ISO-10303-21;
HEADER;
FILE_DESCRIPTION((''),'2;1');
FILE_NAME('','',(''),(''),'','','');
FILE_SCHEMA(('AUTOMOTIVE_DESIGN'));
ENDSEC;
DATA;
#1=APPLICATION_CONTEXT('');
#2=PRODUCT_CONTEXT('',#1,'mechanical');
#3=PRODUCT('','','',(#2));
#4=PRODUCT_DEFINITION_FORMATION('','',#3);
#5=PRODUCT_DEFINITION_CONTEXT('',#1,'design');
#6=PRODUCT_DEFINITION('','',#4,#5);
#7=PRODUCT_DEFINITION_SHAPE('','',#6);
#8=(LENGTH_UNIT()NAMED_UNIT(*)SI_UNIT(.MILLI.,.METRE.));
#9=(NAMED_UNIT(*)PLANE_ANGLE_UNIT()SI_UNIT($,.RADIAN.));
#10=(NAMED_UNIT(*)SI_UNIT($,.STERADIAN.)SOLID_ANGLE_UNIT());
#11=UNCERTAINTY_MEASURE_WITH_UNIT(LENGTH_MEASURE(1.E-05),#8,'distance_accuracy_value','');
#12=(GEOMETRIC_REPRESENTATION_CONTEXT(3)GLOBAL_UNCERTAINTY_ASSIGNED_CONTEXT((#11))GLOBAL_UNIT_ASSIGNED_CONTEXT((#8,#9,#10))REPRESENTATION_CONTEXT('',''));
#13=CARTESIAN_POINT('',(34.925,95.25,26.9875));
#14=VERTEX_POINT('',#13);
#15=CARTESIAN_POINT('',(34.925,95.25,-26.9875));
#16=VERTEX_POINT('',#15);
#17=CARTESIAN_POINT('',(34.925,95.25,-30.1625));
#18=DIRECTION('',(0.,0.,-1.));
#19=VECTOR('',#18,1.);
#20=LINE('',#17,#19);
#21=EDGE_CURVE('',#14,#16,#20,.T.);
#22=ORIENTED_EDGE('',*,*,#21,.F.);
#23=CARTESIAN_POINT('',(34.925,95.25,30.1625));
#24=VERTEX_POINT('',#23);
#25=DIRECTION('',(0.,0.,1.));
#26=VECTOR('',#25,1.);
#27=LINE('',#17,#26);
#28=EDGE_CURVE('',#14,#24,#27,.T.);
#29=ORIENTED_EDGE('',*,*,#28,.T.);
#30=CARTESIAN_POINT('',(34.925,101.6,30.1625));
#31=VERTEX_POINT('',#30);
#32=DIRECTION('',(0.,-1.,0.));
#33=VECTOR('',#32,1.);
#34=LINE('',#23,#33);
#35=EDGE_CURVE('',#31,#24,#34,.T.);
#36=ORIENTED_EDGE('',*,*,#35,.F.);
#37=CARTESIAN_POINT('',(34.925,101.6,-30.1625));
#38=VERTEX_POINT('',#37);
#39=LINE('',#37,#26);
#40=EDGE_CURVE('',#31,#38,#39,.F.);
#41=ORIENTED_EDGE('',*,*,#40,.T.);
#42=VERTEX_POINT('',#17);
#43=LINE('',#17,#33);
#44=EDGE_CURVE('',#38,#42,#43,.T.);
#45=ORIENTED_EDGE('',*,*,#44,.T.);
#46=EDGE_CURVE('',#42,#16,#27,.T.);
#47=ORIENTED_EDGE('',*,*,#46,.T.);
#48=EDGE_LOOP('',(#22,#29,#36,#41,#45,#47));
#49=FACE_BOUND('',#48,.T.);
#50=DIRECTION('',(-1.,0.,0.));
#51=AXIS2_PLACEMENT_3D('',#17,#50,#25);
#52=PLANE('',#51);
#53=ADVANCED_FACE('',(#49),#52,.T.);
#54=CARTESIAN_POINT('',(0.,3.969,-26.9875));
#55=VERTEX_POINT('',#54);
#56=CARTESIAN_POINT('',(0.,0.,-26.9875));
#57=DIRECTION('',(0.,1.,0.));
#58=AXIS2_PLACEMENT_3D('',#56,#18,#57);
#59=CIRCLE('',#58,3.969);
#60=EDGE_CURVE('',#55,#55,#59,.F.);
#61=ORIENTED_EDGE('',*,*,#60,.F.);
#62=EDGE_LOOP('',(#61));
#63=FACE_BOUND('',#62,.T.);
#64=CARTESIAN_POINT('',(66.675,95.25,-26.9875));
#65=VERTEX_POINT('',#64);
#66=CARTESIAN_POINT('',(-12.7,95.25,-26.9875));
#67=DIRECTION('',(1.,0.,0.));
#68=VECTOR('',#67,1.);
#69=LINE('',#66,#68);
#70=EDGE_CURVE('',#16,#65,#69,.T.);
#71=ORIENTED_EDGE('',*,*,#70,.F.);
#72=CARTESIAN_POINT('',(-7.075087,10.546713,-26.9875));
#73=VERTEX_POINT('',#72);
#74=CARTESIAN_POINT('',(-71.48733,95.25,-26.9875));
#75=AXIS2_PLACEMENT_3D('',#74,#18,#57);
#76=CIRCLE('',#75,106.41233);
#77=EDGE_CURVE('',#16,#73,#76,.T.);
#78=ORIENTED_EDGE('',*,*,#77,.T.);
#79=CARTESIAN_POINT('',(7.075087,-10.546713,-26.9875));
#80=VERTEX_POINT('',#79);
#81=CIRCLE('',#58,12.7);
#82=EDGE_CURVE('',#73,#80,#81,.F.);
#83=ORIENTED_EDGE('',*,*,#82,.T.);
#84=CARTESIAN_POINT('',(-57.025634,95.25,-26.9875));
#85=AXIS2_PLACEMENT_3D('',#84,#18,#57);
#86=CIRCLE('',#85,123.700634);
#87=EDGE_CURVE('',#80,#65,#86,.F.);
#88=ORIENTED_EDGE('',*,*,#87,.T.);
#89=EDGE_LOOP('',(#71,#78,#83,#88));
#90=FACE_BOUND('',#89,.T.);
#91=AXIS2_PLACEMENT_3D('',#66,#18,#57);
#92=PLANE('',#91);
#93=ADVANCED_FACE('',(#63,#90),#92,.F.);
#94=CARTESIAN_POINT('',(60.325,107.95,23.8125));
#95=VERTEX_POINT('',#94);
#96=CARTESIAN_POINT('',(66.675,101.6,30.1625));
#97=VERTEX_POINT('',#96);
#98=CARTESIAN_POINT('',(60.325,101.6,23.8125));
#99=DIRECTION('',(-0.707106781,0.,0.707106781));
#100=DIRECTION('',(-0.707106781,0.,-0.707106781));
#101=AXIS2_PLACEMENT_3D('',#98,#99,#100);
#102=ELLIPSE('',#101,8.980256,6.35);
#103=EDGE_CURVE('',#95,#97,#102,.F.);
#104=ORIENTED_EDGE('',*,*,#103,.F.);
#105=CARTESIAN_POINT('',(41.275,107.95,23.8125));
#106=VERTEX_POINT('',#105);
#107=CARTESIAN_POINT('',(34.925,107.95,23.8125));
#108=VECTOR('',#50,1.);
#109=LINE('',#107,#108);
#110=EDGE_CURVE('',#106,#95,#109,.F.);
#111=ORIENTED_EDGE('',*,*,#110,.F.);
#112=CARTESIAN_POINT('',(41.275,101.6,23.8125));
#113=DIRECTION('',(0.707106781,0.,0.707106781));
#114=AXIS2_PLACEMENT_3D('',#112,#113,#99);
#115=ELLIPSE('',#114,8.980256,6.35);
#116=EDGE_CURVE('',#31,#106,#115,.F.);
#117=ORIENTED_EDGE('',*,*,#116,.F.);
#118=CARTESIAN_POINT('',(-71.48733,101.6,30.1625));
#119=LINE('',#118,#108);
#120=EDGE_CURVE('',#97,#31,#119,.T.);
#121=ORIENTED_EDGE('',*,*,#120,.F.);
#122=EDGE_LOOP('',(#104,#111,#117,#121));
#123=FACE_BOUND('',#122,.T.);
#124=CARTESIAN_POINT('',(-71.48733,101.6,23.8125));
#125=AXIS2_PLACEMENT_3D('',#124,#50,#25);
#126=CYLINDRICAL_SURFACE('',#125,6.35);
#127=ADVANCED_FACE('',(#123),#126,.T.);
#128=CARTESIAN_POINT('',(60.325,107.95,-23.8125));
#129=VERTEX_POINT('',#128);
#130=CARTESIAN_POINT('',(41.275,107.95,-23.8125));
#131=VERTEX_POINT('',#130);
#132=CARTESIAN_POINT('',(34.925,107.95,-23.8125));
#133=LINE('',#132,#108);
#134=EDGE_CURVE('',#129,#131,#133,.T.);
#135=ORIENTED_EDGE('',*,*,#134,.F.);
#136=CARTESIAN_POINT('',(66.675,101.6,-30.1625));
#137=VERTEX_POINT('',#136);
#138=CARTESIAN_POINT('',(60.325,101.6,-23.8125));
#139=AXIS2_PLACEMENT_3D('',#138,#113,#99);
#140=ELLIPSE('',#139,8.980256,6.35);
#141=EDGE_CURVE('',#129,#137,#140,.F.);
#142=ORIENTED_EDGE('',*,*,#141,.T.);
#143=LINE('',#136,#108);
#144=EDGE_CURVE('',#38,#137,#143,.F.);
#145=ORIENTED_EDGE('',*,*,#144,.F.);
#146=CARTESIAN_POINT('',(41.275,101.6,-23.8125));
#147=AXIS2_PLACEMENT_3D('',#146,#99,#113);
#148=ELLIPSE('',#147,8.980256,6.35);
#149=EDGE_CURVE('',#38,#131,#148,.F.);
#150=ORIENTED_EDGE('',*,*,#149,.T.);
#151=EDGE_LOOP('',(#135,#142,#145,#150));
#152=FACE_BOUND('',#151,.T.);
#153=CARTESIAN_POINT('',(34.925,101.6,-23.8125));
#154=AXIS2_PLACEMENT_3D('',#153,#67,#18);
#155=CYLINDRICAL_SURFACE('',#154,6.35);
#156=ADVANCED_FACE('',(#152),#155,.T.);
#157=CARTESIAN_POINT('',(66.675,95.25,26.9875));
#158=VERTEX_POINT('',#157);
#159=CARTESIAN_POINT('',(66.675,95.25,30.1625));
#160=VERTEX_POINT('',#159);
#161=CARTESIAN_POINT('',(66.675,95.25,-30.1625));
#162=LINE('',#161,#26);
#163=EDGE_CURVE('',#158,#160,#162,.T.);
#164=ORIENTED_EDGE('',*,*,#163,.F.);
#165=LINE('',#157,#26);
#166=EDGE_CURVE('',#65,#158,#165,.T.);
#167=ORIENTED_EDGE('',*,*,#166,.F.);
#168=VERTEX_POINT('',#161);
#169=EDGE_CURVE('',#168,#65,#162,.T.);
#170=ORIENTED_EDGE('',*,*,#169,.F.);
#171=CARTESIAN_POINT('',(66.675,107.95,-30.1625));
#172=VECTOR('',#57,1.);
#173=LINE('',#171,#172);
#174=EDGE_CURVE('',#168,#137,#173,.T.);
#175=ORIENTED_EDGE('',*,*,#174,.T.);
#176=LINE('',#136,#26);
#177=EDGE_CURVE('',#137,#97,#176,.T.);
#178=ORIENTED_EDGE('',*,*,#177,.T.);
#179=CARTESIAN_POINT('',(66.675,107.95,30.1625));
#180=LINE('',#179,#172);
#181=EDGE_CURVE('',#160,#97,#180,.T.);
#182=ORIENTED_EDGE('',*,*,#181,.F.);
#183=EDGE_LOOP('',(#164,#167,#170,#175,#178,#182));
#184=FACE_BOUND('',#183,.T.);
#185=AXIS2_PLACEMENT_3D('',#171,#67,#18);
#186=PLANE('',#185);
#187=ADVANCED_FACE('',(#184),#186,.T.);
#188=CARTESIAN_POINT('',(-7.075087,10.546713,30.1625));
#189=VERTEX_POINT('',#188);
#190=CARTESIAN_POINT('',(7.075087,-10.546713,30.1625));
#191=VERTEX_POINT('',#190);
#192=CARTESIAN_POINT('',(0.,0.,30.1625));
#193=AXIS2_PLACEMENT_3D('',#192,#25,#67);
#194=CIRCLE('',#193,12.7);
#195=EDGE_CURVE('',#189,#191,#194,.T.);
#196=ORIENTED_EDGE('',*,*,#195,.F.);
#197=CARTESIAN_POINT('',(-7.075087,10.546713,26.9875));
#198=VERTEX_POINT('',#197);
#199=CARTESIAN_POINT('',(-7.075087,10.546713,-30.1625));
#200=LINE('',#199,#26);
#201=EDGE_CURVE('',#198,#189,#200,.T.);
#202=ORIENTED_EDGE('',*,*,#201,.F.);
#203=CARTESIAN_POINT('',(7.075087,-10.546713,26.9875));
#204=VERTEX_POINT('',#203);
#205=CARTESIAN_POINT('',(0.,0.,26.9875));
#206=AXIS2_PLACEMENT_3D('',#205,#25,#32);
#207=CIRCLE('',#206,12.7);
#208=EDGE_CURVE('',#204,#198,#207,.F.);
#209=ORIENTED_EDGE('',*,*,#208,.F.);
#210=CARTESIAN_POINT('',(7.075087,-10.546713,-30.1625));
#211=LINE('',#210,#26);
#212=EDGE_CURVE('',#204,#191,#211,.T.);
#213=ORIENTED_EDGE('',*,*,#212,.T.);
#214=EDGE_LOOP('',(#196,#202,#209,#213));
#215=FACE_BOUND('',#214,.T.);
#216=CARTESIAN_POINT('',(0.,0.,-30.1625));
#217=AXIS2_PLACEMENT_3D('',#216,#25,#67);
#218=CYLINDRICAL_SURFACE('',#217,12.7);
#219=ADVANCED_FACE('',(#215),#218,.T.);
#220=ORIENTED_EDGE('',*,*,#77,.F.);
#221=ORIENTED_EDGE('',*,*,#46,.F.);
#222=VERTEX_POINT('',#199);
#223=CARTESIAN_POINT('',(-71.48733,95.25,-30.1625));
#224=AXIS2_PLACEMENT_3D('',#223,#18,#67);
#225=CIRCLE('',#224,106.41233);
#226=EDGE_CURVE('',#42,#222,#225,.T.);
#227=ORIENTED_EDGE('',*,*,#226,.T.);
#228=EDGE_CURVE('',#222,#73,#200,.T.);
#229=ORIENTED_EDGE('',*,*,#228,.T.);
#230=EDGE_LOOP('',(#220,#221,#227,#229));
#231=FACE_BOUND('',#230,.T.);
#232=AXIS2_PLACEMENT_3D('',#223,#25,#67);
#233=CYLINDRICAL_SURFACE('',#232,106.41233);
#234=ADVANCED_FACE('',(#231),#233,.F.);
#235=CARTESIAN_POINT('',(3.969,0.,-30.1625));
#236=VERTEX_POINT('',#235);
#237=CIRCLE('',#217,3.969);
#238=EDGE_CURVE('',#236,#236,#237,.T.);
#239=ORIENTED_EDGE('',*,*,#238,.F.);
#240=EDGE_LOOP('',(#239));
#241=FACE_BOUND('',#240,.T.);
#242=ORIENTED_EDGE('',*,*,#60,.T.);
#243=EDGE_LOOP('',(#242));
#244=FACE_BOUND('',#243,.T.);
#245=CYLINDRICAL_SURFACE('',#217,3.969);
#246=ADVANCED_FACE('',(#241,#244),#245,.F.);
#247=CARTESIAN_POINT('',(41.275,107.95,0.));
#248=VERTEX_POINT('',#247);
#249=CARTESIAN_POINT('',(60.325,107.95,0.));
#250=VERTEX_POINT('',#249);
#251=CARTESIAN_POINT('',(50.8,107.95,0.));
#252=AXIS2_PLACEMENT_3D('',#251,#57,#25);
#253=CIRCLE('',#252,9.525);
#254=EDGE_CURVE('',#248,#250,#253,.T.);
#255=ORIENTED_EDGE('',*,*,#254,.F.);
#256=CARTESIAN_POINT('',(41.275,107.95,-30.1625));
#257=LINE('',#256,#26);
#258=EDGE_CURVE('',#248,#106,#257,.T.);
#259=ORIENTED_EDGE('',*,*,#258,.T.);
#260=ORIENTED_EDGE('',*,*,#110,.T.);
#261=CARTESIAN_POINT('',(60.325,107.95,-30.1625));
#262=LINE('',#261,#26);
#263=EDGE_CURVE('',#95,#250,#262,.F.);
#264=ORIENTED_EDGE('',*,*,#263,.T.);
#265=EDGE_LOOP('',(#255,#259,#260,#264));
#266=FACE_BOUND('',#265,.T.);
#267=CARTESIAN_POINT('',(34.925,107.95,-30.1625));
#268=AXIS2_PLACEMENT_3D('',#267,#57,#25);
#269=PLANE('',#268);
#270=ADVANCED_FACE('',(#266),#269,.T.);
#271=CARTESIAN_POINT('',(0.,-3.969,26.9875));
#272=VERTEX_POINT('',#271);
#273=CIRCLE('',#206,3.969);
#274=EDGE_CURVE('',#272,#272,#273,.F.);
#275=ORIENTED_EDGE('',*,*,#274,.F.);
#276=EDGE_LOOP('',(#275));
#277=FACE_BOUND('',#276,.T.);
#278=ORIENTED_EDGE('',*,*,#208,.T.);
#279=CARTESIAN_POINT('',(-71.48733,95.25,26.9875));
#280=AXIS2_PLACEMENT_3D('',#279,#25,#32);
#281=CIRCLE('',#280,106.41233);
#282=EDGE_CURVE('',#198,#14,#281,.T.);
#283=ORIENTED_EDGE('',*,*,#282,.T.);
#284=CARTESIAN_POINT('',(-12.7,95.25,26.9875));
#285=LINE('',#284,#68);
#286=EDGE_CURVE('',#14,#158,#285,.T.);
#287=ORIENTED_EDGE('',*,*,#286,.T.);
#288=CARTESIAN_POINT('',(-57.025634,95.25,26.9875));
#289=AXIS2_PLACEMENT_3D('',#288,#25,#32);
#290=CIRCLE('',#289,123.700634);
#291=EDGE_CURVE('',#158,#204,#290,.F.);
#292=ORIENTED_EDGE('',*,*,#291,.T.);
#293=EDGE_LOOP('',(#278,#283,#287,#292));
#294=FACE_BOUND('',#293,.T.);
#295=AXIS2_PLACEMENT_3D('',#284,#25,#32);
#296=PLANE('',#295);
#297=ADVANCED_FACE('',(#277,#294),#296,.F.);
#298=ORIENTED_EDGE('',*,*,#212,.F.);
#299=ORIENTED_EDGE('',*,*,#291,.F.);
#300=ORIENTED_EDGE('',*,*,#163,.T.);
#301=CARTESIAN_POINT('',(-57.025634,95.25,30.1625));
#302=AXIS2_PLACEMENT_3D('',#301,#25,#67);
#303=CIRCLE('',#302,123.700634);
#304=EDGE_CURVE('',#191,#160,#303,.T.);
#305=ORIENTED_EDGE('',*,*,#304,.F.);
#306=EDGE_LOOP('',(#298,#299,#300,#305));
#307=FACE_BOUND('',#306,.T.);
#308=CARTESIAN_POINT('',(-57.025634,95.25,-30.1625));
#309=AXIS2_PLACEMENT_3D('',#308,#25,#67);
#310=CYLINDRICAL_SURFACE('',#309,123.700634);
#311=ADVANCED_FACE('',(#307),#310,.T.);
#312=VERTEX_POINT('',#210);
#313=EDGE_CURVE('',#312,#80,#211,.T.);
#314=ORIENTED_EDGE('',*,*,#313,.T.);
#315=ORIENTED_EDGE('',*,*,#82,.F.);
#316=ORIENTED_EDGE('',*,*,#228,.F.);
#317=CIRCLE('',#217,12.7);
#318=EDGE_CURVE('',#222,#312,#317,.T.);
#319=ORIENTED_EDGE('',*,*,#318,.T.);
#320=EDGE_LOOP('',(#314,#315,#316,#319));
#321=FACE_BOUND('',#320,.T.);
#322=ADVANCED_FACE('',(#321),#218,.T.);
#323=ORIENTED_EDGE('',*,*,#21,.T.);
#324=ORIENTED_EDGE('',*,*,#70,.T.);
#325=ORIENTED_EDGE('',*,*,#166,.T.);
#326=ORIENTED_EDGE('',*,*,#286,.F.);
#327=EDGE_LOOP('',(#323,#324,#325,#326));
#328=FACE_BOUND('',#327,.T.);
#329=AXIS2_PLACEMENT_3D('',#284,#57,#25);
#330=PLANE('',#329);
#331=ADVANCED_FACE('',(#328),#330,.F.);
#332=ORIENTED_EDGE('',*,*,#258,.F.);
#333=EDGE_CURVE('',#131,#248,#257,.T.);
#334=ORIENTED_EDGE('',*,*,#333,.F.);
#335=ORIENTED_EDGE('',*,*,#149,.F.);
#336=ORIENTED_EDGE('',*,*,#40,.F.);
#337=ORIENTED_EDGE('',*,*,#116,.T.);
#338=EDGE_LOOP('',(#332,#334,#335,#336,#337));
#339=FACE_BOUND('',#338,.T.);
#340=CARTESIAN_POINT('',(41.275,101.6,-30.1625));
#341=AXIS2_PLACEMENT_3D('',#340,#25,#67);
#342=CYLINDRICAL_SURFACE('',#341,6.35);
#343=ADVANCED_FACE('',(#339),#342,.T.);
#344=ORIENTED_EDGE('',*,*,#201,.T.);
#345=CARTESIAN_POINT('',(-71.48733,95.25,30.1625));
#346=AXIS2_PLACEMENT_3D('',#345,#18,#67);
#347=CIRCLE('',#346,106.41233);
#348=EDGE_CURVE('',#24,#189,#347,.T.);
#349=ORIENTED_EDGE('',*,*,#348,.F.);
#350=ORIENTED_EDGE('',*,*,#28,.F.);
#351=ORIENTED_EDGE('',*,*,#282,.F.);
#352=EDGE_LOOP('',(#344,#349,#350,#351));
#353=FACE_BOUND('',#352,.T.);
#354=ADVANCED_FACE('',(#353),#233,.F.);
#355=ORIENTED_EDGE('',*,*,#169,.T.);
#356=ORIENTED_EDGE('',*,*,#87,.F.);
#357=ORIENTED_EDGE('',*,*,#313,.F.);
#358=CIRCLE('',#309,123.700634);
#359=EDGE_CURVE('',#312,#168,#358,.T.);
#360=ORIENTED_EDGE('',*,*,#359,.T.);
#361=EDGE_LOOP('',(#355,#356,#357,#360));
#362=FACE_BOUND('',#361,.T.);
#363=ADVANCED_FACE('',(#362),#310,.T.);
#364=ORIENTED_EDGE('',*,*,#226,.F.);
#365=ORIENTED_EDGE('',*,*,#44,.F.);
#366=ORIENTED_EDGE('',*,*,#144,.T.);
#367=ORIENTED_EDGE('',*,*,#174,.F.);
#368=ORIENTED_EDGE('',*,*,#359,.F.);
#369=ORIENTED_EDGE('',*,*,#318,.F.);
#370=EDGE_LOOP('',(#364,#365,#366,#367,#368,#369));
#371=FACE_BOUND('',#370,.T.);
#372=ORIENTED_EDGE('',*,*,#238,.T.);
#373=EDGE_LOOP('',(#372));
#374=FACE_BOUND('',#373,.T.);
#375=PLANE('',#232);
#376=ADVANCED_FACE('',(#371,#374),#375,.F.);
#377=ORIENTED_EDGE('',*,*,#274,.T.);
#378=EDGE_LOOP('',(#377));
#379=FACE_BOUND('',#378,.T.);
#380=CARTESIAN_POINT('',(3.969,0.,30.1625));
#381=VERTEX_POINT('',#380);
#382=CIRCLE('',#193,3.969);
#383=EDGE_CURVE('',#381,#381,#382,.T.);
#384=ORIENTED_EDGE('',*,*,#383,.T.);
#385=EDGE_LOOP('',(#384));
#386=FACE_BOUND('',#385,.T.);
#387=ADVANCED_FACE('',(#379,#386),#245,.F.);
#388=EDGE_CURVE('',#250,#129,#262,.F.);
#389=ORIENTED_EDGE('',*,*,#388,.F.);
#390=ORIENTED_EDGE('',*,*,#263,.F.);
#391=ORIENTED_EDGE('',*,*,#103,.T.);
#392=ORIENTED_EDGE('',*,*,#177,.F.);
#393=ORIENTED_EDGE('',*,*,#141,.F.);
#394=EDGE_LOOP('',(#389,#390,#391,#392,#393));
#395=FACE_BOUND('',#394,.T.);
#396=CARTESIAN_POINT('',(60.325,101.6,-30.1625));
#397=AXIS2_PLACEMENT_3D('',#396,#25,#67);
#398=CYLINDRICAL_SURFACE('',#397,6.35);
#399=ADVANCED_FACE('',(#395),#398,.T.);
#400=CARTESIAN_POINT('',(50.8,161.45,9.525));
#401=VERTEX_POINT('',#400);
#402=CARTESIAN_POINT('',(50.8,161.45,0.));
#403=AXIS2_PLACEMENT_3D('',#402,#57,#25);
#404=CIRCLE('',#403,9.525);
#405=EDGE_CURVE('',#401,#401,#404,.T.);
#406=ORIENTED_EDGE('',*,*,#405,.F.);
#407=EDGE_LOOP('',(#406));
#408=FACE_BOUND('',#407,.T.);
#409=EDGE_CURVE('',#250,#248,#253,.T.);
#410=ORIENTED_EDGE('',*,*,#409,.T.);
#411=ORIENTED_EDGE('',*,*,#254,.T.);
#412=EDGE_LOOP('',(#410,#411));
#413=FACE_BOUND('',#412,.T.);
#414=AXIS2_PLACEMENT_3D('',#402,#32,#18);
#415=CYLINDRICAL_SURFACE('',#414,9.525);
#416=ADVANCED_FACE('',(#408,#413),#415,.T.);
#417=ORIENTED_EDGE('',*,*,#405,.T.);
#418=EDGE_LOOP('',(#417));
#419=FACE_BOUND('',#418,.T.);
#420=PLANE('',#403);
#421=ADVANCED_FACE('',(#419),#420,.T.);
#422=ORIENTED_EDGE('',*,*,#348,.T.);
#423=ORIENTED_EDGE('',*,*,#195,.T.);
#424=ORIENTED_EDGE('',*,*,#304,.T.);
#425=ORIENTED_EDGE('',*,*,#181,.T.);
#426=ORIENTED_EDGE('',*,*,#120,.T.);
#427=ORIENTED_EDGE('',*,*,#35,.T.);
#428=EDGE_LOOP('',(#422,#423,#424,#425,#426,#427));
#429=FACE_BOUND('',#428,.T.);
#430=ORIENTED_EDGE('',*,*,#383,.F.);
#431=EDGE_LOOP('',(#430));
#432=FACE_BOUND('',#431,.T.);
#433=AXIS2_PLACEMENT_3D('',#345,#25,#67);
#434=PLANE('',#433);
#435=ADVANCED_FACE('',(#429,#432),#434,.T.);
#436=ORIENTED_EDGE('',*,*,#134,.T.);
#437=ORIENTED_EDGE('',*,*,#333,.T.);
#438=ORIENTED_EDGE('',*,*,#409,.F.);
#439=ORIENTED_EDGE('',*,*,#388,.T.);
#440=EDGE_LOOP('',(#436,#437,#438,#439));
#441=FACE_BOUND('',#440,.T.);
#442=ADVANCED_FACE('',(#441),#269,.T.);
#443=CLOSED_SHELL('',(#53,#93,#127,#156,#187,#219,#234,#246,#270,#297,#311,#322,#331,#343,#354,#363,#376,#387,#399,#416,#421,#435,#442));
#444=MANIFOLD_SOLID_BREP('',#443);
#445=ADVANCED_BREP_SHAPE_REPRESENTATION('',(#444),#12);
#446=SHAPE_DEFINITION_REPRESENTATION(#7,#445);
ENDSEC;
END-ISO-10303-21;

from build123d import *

# Parameters (mm, degrees)
SALIENTE_EXTRUIR1_DEPTH      = 30.1625
SALIENTE_EXTRUIR1_DEPTH_BACK = 30.1625
CROQUIS1_R                   = 3.969
CROQUIS2_W                   = 53.975
CROQUIS2_H                   = 127
CORTAR_EXTRUIR1_DEPTH        = 138.343982508
CROQUIS3_R                   = 9.525
SALIENTE_EXTRUIR2_DEPTH      = 53.5
REDONDEO1_R                  = 6.35


with BuildPart() as part:
    # Croquis1 → Saliente-Extruir1 (new, two sides: drawn at the far end of the back side and taken through both)
    with BuildSketch(Plane.XY.offset(-SALIENTE_EXTRUIR1_DEPTH_BACK)):
        with BuildLine():
            Line((34.925, 95.25), (34.925, 107.95))
            Line((34.925, 107.95), (66.675, 107.95))
            Line((66.675, 107.95), (66.675, 95.25))
            ThreePointArc((66.675, 95.25), (50.749935163, 34.535310409), (7.075086505, -10.546712803))
            ThreePointArc((7.075086505, -10.546712803), (-10.546712803, -7.075086505), (-7.075086505, 10.546712803))
            ThreePointArc((-7.075086505, 10.546712803), (23.848499799, 47.977772084), (34.925, 95.25))
        make_face()
        Circle(CROQUIS1_R, mode=Mode.SUBTRACT)
    extrude(amount=SALIENTE_EXTRUIR1_DEPTH + SALIENTE_EXTRUIR1_DEPTH_BACK)

    # Croquis2 → Cortar-Extruir1 (cut, through all)
    with BuildSketch(Plane(origin=(66.675, 0, 0), x_dir=(0, 0, -1), z_dir=(1, 0, 0))):
        with Locations((0, 31.75)):
            Rectangle(CROQUIS2_W, CROQUIS2_H)
    extrude(amount=-CORTAR_EXTRUIR1_DEPTH, mode=Mode.SUBTRACT)

    # Croquis3 → Saliente-Extruir2 (add)
    with BuildSketch(Plane(origin=(0, 107.95, 0), x_dir=(1, 0, 0), z_dir=(0, 1, 0))):
        with Locations(Location((50.8, 0, 0), (0, 0, 270))):
            Circle(CROQUIS3_R)
    extrude(amount=SALIENTE_EXTRUIR2_DEPTH)

    # Redondeo1
    redondeo1_edges = [part.edges().sort_by_distance(p)[0] for p in [
        (34.925, 107.95, 0),
        (66.675, 107.95, 0),
        (50.8, 107.95, 30.1625),
        (50.8, 107.95, -30.1625),
    ]]
    fillet(redondeo1_edges, radius=REDONDEO1_R)


solid = part.part
